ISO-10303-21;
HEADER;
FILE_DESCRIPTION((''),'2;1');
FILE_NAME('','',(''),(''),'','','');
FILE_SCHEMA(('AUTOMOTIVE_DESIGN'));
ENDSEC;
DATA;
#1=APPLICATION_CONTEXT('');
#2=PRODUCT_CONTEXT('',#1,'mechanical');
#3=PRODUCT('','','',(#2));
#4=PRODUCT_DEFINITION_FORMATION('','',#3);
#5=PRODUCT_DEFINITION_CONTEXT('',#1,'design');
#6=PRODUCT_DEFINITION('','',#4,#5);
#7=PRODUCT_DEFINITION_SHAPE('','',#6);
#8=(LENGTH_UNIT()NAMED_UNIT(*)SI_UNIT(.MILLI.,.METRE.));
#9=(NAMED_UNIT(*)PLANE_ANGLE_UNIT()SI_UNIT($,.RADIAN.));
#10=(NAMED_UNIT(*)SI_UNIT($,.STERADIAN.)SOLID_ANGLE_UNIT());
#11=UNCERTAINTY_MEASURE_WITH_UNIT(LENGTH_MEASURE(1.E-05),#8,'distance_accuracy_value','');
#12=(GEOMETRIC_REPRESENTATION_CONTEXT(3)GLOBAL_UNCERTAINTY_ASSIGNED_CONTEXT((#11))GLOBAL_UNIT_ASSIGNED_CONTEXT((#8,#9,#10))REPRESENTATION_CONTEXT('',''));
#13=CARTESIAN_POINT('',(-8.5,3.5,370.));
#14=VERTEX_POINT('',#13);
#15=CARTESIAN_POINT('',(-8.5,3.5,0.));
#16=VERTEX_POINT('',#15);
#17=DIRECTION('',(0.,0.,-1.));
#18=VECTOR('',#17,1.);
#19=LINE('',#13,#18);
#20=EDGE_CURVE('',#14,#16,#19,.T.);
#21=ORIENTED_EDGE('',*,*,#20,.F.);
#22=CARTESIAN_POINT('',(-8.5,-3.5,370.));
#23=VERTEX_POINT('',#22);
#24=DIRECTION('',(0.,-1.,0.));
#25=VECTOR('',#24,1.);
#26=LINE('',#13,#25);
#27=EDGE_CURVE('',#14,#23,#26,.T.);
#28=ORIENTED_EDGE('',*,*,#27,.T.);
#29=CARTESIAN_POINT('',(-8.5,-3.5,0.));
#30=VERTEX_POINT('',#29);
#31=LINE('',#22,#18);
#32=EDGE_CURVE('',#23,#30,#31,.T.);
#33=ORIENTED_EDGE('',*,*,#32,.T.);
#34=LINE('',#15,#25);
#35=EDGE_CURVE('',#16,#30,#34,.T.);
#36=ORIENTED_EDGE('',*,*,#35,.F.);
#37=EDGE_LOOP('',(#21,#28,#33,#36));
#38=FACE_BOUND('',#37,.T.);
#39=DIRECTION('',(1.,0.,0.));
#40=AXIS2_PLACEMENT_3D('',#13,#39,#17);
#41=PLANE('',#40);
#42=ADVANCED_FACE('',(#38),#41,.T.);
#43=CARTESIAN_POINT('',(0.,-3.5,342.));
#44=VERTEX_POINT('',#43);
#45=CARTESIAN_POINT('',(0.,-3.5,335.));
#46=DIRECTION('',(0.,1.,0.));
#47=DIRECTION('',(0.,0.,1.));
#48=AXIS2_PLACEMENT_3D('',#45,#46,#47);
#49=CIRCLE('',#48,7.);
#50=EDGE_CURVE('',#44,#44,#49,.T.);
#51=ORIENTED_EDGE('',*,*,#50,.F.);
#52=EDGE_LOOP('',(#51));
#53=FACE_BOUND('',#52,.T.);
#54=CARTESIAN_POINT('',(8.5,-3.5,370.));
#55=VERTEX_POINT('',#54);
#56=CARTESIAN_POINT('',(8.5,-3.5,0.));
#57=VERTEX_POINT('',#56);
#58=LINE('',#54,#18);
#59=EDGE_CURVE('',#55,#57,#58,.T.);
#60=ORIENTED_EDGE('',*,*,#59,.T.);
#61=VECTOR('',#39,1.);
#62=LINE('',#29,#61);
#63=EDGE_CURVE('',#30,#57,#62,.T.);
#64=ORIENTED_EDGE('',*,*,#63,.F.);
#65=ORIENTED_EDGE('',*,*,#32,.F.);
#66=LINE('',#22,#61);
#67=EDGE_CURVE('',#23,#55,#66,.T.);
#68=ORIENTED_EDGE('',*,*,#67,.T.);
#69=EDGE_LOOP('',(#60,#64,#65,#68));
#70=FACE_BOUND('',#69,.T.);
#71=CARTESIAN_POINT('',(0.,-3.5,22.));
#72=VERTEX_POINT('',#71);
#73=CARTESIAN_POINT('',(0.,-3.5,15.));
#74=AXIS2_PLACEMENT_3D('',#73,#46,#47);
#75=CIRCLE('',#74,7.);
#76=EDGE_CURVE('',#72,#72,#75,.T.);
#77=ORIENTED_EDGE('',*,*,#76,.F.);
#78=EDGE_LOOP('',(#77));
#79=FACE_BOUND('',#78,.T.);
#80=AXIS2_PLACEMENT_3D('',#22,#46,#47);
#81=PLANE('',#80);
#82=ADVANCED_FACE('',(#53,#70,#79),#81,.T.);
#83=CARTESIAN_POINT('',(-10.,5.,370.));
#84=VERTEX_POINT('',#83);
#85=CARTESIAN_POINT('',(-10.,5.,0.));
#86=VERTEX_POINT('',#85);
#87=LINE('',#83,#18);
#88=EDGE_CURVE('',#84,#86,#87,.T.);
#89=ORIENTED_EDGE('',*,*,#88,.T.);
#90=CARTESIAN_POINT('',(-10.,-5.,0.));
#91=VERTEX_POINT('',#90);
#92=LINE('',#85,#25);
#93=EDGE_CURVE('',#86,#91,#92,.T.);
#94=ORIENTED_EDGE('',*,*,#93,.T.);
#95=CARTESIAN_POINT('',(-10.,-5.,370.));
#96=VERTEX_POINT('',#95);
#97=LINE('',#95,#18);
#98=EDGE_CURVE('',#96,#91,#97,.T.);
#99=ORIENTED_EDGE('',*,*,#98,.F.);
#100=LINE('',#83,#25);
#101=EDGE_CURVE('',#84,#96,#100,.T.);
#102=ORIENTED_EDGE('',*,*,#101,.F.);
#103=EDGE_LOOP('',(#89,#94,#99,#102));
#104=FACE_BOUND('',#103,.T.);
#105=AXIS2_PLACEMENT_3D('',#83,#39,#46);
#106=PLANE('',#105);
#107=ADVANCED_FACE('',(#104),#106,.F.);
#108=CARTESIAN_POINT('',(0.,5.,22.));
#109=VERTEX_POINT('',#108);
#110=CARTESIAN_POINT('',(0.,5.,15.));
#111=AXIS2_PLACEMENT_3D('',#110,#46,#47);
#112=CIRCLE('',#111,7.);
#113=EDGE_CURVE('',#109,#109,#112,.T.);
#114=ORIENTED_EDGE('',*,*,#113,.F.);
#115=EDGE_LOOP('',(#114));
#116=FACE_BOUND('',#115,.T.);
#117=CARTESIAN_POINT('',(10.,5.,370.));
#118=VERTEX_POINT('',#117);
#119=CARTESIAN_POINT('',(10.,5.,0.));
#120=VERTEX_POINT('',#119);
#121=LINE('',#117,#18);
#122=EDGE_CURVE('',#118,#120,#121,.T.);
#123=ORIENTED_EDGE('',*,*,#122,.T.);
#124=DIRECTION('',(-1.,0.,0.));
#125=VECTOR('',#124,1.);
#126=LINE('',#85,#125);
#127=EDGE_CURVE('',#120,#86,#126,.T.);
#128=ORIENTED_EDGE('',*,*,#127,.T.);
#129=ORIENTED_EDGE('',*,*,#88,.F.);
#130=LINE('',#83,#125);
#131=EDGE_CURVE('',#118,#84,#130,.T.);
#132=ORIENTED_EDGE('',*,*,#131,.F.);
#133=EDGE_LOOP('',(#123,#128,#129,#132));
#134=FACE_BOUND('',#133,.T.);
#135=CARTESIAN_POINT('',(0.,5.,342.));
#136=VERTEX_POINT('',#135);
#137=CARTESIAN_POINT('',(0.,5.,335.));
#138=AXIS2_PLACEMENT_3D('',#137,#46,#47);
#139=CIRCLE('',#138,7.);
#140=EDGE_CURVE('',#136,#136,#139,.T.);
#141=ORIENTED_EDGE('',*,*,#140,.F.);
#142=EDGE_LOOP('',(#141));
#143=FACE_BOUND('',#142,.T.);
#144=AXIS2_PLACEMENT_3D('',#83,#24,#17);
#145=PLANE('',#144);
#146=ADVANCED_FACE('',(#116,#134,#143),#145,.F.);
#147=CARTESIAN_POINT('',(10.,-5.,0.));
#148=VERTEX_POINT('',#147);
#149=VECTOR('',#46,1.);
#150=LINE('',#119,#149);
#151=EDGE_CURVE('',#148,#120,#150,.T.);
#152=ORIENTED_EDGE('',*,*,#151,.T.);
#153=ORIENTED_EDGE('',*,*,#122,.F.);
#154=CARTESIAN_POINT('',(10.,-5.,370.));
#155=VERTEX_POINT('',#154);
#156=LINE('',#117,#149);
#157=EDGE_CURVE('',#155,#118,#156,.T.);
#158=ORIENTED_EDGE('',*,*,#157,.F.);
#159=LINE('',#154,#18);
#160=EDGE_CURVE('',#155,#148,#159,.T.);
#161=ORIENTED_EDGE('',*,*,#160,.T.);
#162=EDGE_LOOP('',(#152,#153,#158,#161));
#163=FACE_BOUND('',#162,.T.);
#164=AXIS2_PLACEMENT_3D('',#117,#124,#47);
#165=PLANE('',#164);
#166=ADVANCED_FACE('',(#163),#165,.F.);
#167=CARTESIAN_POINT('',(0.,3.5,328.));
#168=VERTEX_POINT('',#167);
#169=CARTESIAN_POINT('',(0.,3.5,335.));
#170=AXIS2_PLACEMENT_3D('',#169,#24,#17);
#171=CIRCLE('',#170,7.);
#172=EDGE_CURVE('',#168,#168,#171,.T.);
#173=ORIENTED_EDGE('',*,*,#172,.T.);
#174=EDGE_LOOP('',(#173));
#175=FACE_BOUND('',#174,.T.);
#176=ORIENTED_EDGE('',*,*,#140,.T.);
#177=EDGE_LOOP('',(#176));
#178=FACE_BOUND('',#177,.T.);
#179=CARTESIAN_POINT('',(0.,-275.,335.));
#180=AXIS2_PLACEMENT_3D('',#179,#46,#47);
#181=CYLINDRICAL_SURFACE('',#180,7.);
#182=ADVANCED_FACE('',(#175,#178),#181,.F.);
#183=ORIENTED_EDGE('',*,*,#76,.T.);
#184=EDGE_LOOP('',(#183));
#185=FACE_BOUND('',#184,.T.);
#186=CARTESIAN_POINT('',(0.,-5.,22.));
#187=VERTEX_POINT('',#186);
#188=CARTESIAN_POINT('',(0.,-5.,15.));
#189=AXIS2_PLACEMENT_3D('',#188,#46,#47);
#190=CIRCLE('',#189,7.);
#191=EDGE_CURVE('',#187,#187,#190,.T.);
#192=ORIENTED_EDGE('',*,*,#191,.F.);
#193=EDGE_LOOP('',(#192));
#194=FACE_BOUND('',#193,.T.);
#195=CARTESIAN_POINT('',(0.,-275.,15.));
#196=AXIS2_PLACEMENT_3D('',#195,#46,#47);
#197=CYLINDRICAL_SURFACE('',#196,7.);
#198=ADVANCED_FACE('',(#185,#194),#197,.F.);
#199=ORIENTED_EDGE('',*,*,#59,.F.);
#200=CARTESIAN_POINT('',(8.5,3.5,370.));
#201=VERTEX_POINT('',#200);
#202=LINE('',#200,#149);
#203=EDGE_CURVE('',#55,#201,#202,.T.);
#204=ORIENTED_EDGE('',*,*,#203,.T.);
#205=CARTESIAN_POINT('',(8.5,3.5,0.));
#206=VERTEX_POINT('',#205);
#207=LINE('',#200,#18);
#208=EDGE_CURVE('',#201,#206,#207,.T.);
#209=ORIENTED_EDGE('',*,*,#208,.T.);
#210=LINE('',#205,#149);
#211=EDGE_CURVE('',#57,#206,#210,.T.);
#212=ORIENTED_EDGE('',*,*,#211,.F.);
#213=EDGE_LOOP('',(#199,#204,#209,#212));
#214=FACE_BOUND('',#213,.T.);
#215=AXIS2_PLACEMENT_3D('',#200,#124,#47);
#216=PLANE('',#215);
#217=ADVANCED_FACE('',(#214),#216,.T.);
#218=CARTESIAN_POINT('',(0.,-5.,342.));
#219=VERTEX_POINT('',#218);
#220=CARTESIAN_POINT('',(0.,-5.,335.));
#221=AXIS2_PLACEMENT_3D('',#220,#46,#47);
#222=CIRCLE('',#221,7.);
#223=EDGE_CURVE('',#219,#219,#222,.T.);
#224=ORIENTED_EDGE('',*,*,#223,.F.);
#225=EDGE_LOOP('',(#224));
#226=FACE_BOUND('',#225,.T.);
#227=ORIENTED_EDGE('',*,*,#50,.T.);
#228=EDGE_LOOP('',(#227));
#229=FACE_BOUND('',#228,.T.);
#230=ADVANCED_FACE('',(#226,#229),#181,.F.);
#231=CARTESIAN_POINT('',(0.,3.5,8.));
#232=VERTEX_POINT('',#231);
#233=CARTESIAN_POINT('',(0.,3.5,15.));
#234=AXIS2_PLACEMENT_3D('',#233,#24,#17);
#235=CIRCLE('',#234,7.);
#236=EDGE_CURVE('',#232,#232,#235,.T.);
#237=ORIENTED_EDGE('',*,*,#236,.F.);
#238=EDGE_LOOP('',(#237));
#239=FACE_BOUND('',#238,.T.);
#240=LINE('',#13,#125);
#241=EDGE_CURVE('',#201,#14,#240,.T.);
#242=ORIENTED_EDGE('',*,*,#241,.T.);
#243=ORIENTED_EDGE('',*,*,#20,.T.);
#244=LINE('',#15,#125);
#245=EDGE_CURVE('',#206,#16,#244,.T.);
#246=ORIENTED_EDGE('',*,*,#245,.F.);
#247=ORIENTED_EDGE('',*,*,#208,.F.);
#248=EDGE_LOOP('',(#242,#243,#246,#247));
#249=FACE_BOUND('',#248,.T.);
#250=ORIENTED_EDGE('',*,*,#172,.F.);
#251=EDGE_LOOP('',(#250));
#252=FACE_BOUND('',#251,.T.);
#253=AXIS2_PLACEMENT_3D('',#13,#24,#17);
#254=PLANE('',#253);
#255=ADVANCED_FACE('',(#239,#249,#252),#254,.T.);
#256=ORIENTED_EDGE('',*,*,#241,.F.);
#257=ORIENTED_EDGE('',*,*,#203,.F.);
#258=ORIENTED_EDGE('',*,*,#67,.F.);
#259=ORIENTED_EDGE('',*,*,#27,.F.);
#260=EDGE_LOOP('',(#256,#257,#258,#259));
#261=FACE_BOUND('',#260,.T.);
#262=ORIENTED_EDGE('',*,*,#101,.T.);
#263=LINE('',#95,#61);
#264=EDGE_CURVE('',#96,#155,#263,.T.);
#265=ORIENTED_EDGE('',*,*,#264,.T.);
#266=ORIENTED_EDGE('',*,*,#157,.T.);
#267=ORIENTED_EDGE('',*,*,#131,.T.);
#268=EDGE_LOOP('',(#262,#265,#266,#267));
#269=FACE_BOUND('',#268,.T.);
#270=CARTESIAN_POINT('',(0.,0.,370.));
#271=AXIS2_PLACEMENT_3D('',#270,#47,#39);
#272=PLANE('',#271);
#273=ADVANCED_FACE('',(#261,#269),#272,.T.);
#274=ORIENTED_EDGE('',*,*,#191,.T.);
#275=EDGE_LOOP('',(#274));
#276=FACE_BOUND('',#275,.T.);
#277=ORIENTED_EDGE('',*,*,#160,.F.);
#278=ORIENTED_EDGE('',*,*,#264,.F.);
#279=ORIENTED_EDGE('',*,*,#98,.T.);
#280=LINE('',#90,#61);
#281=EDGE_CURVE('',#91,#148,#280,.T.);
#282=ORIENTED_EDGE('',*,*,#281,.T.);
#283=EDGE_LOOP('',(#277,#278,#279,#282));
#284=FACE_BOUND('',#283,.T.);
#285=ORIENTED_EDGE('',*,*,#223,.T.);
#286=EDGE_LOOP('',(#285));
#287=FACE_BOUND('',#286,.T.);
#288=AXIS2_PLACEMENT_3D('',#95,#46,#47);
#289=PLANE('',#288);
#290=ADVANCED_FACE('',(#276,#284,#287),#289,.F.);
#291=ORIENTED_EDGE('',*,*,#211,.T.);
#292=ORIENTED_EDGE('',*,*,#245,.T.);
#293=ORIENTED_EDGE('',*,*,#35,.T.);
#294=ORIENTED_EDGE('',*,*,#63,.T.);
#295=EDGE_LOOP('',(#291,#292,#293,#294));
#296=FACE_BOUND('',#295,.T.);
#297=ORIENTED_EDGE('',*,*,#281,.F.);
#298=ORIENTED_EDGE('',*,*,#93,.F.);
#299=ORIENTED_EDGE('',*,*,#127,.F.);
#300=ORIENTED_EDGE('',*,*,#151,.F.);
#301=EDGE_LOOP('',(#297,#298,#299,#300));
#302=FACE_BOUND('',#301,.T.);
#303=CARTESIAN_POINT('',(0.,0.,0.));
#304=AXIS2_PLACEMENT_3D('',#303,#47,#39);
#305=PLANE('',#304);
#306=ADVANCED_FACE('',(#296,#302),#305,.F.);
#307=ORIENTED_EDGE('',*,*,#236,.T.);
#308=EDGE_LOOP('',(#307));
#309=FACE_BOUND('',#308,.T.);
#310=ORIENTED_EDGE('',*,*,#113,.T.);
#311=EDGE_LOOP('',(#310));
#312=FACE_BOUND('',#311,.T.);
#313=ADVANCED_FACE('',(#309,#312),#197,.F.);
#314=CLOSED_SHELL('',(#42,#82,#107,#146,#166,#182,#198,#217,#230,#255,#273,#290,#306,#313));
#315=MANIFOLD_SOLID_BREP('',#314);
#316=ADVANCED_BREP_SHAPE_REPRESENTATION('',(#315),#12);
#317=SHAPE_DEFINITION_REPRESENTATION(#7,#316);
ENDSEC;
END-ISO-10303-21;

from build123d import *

# Parameters (mm, degrees)
SKETCH_1_W          = 20
SKETCH_1_H          = 10
SKETCH_1_W_2        = 17
SKETCH_1_H_2        = 7
EXTRUDE_1_DEPTH     = 370
SKETCH_2_R          = 7
CUT_EXTRUDE_1_DEPTH = 280


with BuildPart() as part:
    # 草图1 → 凸台-拉伸1 (new body)
    with BuildSketch(Plane.XY):
        Rectangle(SKETCH_1_W, SKETCH_1_H)
        Rectangle(SKETCH_1_W_2, SKETCH_1_H_2, mode=Mode.SUBTRACT)
    extrude(amount=EXTRUDE_1_DEPTH)

    # 草图2 → 切除-拉伸1 (cut)
    with BuildSketch(Plane(origin=(0, 5, 0), x_dir=(1, 0, 0), z_dir=(0, 1, 0))):
        with Locations(Location((0, -15, 0), (0, 0, 270))):
            Circle(SKETCH_2_R)
        with Locations(Location((0, -335, 0), (0, 0, 270))):
            Circle(SKETCH_2_R)
    extrude(amount=-CUT_EXTRUDE_1_DEPTH, mode=Mode.SUBTRACT)


solid = part.part
